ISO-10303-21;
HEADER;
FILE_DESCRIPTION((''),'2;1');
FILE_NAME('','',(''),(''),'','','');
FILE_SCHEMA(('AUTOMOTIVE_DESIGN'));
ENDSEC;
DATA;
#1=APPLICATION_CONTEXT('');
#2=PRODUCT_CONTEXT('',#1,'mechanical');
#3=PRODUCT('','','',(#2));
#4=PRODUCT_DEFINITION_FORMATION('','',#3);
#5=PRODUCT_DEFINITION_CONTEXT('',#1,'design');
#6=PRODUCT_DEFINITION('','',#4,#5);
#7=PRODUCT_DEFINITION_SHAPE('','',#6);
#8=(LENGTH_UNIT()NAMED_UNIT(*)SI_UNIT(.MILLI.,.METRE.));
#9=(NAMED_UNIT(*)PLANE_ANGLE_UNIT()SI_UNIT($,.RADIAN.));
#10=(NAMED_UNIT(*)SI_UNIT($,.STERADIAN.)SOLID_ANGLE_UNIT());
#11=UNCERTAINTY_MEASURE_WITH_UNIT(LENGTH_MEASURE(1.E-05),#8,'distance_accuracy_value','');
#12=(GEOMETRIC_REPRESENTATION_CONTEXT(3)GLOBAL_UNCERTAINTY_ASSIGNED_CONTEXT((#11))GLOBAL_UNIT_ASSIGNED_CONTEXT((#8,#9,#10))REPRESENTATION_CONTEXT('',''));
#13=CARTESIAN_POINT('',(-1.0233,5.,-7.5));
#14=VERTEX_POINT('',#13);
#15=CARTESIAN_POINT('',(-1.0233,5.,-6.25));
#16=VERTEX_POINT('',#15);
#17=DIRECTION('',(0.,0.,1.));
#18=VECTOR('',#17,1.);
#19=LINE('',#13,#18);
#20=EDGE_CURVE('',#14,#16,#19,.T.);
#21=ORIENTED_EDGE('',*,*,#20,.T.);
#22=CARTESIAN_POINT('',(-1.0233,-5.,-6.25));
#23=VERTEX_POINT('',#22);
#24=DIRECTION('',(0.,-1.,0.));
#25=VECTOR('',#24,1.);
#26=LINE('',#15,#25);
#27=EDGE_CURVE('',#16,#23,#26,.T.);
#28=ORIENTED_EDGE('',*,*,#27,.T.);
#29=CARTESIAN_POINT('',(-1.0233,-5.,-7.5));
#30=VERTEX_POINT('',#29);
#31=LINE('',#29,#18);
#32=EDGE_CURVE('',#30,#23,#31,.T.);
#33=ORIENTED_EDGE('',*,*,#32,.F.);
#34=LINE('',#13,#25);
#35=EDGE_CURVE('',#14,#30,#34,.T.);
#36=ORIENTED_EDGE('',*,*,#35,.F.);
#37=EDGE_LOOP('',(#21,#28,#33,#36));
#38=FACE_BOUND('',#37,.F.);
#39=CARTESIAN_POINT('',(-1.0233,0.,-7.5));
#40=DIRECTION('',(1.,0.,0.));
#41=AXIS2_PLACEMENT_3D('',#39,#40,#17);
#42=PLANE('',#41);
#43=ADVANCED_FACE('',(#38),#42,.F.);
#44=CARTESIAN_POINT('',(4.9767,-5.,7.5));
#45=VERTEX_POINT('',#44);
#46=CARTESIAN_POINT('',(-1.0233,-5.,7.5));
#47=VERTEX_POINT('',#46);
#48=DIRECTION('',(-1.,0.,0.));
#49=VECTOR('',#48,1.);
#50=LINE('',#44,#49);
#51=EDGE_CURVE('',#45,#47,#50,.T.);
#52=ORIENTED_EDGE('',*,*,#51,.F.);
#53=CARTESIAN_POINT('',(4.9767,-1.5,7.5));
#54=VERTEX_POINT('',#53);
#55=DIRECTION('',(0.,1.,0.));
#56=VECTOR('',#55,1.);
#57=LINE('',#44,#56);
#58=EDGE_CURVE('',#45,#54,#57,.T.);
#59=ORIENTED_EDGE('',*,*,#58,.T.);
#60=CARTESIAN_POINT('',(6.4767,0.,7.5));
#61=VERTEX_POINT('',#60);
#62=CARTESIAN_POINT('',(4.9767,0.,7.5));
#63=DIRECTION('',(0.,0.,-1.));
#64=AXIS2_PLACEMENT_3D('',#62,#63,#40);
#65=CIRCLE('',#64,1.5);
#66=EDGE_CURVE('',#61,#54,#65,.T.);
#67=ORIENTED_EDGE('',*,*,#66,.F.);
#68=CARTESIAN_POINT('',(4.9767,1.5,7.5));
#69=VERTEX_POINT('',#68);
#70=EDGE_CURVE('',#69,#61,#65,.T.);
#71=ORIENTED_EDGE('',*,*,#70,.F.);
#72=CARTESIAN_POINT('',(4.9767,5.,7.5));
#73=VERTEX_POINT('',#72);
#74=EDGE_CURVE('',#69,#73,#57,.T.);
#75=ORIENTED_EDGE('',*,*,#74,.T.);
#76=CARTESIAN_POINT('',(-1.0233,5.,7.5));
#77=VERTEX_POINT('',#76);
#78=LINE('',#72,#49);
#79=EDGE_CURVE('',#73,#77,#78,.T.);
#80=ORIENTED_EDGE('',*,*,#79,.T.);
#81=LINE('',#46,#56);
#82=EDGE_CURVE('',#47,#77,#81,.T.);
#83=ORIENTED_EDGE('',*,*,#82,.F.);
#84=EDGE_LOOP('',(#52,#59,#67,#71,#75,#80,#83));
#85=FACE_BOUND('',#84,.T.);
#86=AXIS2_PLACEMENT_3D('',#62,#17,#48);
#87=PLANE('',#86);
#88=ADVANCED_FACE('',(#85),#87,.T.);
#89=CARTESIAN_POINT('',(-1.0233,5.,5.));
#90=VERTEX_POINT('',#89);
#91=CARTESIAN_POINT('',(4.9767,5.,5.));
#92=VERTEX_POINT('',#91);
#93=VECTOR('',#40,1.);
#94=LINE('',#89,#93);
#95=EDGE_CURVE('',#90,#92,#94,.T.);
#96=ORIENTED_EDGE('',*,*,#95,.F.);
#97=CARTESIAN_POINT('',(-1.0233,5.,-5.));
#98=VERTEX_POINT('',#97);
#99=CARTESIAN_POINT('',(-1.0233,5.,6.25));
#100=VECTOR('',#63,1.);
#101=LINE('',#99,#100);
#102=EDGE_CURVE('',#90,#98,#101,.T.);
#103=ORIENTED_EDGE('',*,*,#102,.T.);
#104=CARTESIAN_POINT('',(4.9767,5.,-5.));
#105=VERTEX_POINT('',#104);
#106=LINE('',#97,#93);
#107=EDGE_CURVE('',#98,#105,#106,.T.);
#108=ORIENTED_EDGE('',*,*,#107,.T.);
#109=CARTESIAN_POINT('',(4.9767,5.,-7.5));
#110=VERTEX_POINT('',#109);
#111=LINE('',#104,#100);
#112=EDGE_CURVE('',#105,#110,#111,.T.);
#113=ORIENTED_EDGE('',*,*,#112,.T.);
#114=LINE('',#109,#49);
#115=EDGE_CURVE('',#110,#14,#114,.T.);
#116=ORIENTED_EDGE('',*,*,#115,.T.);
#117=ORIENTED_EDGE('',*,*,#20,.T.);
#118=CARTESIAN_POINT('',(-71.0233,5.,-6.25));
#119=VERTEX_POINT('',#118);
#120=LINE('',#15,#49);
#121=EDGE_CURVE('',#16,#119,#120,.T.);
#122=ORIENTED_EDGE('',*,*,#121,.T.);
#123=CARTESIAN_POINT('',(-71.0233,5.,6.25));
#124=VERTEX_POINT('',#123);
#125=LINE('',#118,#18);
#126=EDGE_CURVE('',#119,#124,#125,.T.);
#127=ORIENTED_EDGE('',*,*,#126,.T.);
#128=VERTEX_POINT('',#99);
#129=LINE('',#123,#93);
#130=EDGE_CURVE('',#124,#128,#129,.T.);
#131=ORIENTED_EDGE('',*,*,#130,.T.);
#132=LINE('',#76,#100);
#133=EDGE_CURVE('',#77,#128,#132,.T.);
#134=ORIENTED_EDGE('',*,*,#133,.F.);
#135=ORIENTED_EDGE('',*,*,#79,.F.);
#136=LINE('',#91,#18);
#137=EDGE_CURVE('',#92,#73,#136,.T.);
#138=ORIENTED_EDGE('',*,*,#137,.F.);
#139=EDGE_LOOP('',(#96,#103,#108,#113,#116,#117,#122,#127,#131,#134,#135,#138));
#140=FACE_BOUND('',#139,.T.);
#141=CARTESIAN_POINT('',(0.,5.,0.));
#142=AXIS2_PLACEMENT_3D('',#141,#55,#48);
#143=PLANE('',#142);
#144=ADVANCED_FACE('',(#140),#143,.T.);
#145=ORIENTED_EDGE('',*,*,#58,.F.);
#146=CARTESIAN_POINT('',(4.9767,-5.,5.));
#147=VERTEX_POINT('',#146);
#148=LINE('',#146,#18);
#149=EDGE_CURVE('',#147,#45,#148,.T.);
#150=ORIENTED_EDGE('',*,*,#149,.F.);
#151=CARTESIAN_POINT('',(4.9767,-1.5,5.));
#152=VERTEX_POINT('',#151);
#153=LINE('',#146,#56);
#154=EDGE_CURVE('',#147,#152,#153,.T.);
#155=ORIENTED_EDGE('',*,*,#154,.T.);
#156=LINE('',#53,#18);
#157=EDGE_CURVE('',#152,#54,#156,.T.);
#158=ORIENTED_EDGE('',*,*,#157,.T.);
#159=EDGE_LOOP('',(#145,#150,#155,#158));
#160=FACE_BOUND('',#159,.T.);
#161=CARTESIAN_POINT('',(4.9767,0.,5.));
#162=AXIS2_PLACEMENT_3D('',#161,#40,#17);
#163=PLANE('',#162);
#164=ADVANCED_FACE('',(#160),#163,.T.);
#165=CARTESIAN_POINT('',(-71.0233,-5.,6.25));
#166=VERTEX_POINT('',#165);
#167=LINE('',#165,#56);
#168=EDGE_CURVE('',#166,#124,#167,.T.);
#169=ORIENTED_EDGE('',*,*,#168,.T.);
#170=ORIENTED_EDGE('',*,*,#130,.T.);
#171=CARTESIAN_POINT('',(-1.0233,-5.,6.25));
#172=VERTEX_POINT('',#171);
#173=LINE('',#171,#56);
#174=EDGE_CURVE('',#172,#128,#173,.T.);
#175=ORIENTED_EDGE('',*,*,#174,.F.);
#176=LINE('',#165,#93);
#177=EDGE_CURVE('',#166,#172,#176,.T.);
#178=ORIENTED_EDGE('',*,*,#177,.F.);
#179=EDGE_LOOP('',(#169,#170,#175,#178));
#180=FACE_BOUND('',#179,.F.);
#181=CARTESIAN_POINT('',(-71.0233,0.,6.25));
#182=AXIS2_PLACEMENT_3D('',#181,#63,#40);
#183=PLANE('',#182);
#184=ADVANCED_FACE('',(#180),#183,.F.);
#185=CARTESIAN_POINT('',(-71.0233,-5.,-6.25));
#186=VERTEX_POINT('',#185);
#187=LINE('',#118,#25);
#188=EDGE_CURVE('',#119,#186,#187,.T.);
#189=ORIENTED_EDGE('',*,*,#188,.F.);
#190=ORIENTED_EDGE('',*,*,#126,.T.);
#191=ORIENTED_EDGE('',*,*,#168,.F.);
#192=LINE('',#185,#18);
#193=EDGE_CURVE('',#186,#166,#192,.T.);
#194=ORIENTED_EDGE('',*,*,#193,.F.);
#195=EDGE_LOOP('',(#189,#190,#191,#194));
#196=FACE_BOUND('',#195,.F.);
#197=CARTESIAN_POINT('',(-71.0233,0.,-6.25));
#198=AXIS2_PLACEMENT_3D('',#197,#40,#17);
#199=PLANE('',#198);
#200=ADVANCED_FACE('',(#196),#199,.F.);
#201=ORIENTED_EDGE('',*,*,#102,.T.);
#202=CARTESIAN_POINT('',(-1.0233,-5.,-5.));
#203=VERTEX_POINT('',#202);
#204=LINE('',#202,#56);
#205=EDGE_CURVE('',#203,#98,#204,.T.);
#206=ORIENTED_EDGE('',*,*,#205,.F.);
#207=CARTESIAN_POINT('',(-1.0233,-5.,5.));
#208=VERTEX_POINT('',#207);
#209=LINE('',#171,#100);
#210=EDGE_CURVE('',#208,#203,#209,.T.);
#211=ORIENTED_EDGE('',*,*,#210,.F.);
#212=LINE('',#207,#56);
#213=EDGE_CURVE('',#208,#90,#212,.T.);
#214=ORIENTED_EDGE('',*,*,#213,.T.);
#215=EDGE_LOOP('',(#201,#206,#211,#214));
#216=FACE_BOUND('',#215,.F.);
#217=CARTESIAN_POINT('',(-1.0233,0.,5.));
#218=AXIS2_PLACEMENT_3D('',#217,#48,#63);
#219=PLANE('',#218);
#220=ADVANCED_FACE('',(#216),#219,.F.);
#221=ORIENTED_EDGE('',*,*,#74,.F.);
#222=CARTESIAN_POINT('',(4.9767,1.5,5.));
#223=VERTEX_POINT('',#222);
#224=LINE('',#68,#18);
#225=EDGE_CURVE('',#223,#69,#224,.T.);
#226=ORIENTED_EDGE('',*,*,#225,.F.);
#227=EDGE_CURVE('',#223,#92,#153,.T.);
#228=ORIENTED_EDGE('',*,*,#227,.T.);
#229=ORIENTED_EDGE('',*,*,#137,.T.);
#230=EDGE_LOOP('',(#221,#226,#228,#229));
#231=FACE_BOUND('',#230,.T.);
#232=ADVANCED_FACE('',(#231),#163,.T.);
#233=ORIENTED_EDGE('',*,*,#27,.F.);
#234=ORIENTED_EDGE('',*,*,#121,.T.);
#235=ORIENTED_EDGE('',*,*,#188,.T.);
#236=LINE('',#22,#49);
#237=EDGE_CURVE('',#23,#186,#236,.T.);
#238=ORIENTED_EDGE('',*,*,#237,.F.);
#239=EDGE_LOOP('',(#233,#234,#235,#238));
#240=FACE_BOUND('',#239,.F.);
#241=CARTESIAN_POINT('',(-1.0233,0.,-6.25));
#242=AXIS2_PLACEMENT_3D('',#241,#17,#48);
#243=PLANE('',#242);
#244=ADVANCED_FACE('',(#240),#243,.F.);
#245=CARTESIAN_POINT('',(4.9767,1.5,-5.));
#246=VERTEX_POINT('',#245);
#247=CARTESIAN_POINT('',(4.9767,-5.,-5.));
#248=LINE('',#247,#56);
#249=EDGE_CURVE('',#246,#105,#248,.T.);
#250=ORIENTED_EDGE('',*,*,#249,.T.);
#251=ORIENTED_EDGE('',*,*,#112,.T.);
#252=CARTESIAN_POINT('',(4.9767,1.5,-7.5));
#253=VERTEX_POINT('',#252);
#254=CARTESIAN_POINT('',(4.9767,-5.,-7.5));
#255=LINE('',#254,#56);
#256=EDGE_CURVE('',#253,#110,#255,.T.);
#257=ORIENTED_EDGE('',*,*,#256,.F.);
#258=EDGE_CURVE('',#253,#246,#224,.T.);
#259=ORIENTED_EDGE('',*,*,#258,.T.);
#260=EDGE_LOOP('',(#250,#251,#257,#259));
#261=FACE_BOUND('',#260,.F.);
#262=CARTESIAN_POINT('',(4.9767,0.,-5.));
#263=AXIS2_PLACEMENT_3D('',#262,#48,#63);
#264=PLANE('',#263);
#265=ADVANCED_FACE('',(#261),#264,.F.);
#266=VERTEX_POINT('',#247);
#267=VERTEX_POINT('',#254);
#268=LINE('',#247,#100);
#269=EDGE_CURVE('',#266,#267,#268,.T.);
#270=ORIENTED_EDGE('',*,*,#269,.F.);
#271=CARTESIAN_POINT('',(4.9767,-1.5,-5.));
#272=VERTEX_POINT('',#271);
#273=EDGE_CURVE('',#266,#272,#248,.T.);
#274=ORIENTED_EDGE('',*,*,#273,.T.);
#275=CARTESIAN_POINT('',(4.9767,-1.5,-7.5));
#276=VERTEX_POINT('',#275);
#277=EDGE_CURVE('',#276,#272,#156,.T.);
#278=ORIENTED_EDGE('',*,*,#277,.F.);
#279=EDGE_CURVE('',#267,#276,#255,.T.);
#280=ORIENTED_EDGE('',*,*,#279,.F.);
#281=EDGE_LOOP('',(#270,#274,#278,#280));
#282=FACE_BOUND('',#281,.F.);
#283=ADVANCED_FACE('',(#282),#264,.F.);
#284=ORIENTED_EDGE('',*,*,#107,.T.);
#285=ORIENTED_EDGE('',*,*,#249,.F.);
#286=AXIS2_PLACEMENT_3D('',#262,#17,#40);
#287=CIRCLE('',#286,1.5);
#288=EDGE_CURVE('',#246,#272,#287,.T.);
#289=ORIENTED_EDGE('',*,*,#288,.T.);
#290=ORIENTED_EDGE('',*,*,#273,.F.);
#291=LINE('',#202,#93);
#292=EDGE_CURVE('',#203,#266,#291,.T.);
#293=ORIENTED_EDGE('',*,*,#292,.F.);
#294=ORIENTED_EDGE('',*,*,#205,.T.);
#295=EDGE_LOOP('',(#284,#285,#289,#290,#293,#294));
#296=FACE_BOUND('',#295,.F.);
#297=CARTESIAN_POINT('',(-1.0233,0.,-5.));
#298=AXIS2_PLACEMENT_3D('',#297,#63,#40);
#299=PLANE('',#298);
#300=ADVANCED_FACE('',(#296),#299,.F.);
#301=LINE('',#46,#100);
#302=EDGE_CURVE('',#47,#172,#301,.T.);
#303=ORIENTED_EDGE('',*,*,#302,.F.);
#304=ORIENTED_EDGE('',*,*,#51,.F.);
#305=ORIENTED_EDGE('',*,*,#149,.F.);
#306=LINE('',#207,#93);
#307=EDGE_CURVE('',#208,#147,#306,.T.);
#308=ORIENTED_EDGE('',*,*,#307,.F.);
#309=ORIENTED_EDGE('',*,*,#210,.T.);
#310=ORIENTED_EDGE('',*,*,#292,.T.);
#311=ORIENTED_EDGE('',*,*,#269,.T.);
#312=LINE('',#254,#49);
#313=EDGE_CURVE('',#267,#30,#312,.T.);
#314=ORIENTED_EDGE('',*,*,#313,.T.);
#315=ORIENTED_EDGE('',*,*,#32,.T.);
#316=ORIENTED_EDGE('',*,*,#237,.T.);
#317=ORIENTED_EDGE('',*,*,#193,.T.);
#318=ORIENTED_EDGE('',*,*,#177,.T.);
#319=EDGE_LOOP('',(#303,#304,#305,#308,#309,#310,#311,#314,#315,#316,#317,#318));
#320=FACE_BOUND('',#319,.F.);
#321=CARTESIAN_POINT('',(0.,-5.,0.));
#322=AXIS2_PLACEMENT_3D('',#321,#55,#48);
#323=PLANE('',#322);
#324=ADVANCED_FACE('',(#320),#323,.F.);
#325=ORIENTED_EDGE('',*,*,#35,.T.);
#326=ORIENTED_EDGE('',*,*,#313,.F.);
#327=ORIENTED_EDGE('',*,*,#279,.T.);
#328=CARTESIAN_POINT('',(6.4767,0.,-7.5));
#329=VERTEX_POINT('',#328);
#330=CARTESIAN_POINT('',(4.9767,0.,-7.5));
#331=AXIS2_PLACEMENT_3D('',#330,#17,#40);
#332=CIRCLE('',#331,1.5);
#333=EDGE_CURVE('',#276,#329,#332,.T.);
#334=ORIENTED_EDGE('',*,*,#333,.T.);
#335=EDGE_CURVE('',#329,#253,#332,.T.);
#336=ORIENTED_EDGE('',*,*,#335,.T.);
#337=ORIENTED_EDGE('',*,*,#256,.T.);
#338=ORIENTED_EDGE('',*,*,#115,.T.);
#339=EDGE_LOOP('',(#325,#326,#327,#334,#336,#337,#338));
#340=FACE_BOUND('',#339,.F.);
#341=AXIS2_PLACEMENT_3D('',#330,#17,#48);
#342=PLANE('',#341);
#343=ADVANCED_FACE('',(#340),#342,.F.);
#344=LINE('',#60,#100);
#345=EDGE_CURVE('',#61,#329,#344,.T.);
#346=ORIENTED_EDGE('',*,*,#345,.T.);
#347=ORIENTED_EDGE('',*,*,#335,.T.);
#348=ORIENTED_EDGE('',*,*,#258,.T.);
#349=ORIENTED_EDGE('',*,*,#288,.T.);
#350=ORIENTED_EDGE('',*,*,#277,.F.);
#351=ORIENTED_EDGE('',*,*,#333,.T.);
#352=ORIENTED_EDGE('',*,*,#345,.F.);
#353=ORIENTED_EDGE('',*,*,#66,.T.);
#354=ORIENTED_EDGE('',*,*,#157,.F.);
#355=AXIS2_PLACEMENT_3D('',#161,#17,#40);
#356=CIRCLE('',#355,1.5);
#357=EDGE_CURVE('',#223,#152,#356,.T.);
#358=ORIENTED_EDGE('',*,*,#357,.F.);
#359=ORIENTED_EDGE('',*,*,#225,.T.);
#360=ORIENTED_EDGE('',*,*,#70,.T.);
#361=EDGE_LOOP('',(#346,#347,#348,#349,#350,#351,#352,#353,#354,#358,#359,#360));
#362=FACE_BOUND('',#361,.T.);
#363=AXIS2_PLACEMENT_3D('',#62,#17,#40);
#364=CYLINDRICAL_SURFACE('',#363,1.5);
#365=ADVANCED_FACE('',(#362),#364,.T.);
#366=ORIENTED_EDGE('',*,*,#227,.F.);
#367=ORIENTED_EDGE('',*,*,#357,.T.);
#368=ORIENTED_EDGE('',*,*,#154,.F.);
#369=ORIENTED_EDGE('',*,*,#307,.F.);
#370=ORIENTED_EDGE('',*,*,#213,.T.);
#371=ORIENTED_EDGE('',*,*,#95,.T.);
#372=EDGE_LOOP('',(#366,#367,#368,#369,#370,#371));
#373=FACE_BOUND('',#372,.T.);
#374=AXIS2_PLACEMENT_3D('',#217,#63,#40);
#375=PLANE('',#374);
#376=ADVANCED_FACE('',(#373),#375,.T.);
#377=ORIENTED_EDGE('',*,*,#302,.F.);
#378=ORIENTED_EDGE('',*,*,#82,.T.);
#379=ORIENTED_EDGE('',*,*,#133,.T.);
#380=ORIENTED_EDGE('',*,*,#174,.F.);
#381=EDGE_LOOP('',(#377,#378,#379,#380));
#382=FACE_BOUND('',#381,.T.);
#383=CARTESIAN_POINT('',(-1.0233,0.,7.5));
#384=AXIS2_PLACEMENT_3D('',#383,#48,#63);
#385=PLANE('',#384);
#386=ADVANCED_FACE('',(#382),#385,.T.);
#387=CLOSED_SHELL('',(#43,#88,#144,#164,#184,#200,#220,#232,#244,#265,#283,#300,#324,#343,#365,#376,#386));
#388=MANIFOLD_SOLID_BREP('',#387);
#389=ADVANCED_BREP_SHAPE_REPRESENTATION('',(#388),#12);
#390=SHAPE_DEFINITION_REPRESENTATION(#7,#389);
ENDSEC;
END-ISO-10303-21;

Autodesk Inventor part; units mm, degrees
ref_plane "YZ Plane" through (0, 0, 0) normal (1, 0, 0) x (0, 1, 0)
ref_plane "XZ Plane" through (0, 0, 0) normal (0, 1, 0) x (-1, 0, 0)
ref_plane "XY Plane" through (0, 0, 0) normal (0, 0, 1) x (1, 0, 0)
sketch "草圖1" plane through (0, 0, 0) normal (0, 1, 0) x (-1, 0, 0)
  line L0 (71.0233, 6.25) -> (1.0233, 6.25)
  line L1 (1.0233, 6.25) -> (1.0233, -6.25)
  line L2 (1.0233, -6.25) -> (71.0233, -6.25)
  line L3 (71.0233, -6.25) -> (71.0233, 6.25)
  line L4 (1.0233, 5) -> (-4.9767, 5)
  line L5 (-4.9767, 5) -> (-4.9767, 7.5)
  line L6 (-4.9767, 7.5) -> (1.0233, 7.5)
  line L7 (1.0233, 7.5) -> (1.0233, 5)
  line L8 (1.0233, -5) -> (-4.9767, -5)
  line L9 (-4.9767, -5) -> (-4.9767, -7.5)
  line L10 (-4.9767, -7.5) -> (1.0233, -7.5)
  line L11 (1.0233, -7.5) -> (1.0233, -5)
  point P0 (0, 0)
  point P1 (1.0233, 6.25)
  dimension "d0" = 6
  dimension "d2" = 5
  dimension "d3" = 10
  dimension "d4" = 2.5
  dimension "d5" = 12.5
  dimension "d6" = 6.25
  dimension "d7" = 70
extrude "擠出1" add sketch "草圖1" along normal mid plane 10
sketch "草圖2" plane through (-1.0233, 5, 7.5) normal (0, 0, 1) x (1, 0, 0)
  line L0 (6, -10) -> (6, 0) projected
  circle A0 centre (6, -5) radius 1.5
  point P0 (1.0233, -5)
  dimension "d10" = 3
extrude "擠出2" add sketch "草圖2" against normal up to surface (15 mm away)
equation "\"d6\" = 0.5 * d5"
properties part number "axis_rf"
